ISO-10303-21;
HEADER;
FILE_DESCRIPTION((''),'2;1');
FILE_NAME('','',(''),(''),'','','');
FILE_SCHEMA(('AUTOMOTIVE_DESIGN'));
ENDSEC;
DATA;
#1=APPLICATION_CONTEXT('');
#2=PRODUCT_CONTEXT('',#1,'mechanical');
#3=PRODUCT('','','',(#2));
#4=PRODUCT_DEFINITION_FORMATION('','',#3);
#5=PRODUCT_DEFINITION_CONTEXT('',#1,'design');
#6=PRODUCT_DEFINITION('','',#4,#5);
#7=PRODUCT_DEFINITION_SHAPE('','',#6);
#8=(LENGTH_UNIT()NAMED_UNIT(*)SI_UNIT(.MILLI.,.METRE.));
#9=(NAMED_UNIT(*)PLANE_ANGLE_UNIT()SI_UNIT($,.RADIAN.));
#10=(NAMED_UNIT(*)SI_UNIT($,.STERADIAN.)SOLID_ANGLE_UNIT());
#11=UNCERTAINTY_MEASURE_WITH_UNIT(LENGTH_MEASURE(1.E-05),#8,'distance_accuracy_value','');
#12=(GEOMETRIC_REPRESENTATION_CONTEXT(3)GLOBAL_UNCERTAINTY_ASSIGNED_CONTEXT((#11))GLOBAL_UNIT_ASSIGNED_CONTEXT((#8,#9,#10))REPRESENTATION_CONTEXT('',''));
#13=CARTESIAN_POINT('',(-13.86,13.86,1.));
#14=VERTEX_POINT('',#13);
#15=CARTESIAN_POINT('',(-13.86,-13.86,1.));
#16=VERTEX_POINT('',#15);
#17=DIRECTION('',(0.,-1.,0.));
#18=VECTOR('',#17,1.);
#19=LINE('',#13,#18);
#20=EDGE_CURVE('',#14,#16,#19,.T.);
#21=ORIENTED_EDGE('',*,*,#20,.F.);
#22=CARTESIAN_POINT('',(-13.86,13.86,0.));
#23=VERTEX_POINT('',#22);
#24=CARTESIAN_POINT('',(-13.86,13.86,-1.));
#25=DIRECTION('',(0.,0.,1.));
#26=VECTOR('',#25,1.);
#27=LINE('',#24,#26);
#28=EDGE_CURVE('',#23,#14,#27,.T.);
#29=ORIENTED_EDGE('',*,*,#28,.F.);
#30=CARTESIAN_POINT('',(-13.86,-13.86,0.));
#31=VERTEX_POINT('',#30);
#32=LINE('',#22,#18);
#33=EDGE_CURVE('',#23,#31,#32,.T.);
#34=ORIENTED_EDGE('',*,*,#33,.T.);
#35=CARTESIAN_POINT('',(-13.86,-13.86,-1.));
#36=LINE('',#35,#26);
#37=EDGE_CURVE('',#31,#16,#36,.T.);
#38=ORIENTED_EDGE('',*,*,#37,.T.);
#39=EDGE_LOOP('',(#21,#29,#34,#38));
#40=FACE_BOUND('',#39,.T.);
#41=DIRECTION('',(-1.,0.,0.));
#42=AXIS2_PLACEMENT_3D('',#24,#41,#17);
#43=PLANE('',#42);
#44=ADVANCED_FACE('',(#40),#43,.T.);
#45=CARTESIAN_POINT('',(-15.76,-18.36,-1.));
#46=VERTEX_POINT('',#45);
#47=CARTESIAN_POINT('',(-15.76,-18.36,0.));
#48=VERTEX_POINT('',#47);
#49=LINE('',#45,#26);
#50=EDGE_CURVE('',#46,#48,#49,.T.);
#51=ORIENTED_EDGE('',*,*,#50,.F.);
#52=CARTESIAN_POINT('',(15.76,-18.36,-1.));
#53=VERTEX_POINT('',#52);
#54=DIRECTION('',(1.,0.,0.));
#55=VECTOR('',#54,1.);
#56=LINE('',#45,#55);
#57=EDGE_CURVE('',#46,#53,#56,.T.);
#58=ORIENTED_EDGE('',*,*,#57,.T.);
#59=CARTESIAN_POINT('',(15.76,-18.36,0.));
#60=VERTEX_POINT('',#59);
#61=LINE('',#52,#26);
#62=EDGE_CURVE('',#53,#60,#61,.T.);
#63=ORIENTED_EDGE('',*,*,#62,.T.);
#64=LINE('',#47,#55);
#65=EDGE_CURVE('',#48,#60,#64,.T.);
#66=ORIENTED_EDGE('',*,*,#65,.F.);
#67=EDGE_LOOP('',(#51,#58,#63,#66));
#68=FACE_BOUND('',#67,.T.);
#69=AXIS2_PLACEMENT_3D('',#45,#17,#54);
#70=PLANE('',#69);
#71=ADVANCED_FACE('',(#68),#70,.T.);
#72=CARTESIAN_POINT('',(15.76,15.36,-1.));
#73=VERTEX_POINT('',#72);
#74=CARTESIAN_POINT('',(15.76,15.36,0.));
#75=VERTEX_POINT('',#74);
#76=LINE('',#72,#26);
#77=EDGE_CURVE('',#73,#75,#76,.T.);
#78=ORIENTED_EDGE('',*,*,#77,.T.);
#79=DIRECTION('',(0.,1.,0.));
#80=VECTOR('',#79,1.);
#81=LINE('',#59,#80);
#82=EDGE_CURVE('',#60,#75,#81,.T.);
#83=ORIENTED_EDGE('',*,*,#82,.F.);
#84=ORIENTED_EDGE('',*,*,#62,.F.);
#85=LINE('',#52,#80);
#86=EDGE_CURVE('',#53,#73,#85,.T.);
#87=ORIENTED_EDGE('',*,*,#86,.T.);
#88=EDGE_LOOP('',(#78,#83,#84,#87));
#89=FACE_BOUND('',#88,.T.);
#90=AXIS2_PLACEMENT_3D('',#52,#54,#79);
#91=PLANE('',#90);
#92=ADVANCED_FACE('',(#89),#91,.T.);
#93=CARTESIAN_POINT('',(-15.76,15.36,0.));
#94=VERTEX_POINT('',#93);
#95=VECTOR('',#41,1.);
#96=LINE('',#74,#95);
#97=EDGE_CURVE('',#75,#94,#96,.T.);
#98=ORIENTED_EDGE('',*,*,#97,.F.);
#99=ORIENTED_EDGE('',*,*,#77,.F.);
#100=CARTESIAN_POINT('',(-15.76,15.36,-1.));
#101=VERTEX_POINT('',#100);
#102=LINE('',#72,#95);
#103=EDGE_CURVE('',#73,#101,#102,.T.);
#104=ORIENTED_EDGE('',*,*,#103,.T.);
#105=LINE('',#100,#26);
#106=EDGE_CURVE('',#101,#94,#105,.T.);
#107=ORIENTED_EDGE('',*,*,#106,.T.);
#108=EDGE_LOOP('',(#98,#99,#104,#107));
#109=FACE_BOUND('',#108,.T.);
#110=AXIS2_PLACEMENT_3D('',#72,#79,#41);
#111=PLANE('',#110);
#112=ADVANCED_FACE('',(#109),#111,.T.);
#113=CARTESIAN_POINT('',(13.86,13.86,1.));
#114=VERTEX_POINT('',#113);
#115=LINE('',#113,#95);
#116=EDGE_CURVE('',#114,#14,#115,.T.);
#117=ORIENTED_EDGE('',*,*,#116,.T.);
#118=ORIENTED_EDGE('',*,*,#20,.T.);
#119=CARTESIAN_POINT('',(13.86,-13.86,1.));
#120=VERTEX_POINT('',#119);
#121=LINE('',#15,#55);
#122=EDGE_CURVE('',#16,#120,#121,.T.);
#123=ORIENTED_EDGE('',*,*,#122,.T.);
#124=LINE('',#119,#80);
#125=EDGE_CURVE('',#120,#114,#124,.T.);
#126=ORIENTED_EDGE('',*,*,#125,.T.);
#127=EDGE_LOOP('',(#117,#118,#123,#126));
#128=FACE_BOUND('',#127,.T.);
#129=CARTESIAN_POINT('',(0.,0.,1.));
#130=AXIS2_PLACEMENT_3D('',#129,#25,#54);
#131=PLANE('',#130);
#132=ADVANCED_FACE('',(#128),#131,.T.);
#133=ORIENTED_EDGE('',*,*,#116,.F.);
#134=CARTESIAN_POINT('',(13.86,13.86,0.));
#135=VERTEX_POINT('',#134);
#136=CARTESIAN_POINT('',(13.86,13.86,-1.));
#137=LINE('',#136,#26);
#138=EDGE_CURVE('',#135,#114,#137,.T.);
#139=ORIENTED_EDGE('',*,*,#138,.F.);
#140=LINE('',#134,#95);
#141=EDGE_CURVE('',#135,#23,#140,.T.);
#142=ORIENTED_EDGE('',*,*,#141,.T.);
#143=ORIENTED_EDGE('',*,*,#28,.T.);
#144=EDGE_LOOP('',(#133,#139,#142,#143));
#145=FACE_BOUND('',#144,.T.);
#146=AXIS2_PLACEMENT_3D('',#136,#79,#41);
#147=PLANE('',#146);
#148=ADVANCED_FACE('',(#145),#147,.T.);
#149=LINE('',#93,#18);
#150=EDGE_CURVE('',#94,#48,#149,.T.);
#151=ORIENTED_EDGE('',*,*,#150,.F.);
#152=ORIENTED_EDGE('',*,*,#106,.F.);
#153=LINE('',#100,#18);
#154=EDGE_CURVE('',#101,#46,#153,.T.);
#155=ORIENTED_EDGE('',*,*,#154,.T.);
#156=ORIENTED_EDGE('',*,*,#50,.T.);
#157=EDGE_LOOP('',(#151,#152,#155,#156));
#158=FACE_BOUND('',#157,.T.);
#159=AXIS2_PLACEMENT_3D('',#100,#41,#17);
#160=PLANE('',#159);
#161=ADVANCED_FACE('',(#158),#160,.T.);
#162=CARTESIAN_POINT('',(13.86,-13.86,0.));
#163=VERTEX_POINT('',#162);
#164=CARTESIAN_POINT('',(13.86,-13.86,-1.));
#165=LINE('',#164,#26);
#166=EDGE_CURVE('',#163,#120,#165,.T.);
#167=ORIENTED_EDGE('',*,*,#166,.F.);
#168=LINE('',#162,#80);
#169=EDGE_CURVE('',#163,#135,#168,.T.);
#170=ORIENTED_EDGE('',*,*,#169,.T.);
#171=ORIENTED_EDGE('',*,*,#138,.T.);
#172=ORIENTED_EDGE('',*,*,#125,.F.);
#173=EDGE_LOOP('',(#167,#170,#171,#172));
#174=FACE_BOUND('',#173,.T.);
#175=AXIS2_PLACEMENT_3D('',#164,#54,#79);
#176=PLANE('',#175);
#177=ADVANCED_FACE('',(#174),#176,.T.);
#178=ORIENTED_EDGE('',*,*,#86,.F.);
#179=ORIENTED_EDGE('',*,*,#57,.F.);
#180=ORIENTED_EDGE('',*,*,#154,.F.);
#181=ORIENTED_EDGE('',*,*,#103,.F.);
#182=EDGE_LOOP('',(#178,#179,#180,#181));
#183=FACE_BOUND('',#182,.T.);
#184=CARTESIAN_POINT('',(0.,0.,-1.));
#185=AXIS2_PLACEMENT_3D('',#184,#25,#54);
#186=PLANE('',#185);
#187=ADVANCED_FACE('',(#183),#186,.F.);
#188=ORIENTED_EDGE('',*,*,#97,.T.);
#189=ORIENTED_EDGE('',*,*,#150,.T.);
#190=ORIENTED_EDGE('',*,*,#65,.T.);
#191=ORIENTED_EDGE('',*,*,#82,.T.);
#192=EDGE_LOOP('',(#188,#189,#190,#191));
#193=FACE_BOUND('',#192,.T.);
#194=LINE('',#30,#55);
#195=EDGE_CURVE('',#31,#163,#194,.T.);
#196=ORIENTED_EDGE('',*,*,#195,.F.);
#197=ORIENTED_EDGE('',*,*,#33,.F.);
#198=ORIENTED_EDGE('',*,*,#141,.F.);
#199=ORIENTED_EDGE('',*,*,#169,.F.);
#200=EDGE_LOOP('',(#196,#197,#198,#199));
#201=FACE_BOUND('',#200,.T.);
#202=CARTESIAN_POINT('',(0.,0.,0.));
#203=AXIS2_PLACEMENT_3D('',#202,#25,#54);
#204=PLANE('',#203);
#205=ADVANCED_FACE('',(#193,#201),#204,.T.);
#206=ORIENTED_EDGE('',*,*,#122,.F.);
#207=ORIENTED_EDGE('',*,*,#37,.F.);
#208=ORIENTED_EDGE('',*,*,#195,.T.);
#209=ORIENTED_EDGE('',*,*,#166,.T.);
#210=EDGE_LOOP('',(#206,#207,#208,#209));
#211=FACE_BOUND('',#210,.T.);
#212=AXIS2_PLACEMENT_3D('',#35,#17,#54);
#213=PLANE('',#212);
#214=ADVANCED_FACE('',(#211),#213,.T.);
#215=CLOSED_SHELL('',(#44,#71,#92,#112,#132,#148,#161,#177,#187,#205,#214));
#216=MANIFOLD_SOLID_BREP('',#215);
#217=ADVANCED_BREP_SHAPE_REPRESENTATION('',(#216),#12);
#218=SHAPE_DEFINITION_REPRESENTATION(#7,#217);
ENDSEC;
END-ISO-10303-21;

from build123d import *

# Parameters (mm, degrees)
EXTRUDE_1_DEPTH      = 1
EXTRUDE_1_DEPTH_BACK = 1
SKETCH_1_W           = 27.72
SKETCH_1_H           = 27.72
SKETCH_1_5_W         = 31.52
SKETCH_1_5_H         = 33.72
SKETCH_1_5_W_2       = 27.72
SKETCH_1_5_H_2       = 27.72
EXTRUDE_3_DEPTH      = 1


with BuildPart() as part:
    # 草图1 → 凸台-拉伸1 (new, two sides: drawn at the far end of the back side and taken through both)
    with BuildSketch(Plane.XY.offset(-EXTRUDE_1_DEPTH_BACK)):
        Rectangle(SKETCH_1_W, SKETCH_1_H)
    extrude(amount=EXTRUDE_1_DEPTH + EXTRUDE_1_DEPTH_BACK)

    # 草图1<5> → 凸台-拉伸3 (add)
    with BuildSketch(Plane.XY):
        with Locations((0, -1.5)):
            Rectangle(SKETCH_1_5_W, SKETCH_1_5_H)
        Rectangle(SKETCH_1_5_W_2, SKETCH_1_5_H_2, mode=Mode.SUBTRACT)
    extrude(amount=-EXTRUDE_3_DEPTH)


solid = part.part
